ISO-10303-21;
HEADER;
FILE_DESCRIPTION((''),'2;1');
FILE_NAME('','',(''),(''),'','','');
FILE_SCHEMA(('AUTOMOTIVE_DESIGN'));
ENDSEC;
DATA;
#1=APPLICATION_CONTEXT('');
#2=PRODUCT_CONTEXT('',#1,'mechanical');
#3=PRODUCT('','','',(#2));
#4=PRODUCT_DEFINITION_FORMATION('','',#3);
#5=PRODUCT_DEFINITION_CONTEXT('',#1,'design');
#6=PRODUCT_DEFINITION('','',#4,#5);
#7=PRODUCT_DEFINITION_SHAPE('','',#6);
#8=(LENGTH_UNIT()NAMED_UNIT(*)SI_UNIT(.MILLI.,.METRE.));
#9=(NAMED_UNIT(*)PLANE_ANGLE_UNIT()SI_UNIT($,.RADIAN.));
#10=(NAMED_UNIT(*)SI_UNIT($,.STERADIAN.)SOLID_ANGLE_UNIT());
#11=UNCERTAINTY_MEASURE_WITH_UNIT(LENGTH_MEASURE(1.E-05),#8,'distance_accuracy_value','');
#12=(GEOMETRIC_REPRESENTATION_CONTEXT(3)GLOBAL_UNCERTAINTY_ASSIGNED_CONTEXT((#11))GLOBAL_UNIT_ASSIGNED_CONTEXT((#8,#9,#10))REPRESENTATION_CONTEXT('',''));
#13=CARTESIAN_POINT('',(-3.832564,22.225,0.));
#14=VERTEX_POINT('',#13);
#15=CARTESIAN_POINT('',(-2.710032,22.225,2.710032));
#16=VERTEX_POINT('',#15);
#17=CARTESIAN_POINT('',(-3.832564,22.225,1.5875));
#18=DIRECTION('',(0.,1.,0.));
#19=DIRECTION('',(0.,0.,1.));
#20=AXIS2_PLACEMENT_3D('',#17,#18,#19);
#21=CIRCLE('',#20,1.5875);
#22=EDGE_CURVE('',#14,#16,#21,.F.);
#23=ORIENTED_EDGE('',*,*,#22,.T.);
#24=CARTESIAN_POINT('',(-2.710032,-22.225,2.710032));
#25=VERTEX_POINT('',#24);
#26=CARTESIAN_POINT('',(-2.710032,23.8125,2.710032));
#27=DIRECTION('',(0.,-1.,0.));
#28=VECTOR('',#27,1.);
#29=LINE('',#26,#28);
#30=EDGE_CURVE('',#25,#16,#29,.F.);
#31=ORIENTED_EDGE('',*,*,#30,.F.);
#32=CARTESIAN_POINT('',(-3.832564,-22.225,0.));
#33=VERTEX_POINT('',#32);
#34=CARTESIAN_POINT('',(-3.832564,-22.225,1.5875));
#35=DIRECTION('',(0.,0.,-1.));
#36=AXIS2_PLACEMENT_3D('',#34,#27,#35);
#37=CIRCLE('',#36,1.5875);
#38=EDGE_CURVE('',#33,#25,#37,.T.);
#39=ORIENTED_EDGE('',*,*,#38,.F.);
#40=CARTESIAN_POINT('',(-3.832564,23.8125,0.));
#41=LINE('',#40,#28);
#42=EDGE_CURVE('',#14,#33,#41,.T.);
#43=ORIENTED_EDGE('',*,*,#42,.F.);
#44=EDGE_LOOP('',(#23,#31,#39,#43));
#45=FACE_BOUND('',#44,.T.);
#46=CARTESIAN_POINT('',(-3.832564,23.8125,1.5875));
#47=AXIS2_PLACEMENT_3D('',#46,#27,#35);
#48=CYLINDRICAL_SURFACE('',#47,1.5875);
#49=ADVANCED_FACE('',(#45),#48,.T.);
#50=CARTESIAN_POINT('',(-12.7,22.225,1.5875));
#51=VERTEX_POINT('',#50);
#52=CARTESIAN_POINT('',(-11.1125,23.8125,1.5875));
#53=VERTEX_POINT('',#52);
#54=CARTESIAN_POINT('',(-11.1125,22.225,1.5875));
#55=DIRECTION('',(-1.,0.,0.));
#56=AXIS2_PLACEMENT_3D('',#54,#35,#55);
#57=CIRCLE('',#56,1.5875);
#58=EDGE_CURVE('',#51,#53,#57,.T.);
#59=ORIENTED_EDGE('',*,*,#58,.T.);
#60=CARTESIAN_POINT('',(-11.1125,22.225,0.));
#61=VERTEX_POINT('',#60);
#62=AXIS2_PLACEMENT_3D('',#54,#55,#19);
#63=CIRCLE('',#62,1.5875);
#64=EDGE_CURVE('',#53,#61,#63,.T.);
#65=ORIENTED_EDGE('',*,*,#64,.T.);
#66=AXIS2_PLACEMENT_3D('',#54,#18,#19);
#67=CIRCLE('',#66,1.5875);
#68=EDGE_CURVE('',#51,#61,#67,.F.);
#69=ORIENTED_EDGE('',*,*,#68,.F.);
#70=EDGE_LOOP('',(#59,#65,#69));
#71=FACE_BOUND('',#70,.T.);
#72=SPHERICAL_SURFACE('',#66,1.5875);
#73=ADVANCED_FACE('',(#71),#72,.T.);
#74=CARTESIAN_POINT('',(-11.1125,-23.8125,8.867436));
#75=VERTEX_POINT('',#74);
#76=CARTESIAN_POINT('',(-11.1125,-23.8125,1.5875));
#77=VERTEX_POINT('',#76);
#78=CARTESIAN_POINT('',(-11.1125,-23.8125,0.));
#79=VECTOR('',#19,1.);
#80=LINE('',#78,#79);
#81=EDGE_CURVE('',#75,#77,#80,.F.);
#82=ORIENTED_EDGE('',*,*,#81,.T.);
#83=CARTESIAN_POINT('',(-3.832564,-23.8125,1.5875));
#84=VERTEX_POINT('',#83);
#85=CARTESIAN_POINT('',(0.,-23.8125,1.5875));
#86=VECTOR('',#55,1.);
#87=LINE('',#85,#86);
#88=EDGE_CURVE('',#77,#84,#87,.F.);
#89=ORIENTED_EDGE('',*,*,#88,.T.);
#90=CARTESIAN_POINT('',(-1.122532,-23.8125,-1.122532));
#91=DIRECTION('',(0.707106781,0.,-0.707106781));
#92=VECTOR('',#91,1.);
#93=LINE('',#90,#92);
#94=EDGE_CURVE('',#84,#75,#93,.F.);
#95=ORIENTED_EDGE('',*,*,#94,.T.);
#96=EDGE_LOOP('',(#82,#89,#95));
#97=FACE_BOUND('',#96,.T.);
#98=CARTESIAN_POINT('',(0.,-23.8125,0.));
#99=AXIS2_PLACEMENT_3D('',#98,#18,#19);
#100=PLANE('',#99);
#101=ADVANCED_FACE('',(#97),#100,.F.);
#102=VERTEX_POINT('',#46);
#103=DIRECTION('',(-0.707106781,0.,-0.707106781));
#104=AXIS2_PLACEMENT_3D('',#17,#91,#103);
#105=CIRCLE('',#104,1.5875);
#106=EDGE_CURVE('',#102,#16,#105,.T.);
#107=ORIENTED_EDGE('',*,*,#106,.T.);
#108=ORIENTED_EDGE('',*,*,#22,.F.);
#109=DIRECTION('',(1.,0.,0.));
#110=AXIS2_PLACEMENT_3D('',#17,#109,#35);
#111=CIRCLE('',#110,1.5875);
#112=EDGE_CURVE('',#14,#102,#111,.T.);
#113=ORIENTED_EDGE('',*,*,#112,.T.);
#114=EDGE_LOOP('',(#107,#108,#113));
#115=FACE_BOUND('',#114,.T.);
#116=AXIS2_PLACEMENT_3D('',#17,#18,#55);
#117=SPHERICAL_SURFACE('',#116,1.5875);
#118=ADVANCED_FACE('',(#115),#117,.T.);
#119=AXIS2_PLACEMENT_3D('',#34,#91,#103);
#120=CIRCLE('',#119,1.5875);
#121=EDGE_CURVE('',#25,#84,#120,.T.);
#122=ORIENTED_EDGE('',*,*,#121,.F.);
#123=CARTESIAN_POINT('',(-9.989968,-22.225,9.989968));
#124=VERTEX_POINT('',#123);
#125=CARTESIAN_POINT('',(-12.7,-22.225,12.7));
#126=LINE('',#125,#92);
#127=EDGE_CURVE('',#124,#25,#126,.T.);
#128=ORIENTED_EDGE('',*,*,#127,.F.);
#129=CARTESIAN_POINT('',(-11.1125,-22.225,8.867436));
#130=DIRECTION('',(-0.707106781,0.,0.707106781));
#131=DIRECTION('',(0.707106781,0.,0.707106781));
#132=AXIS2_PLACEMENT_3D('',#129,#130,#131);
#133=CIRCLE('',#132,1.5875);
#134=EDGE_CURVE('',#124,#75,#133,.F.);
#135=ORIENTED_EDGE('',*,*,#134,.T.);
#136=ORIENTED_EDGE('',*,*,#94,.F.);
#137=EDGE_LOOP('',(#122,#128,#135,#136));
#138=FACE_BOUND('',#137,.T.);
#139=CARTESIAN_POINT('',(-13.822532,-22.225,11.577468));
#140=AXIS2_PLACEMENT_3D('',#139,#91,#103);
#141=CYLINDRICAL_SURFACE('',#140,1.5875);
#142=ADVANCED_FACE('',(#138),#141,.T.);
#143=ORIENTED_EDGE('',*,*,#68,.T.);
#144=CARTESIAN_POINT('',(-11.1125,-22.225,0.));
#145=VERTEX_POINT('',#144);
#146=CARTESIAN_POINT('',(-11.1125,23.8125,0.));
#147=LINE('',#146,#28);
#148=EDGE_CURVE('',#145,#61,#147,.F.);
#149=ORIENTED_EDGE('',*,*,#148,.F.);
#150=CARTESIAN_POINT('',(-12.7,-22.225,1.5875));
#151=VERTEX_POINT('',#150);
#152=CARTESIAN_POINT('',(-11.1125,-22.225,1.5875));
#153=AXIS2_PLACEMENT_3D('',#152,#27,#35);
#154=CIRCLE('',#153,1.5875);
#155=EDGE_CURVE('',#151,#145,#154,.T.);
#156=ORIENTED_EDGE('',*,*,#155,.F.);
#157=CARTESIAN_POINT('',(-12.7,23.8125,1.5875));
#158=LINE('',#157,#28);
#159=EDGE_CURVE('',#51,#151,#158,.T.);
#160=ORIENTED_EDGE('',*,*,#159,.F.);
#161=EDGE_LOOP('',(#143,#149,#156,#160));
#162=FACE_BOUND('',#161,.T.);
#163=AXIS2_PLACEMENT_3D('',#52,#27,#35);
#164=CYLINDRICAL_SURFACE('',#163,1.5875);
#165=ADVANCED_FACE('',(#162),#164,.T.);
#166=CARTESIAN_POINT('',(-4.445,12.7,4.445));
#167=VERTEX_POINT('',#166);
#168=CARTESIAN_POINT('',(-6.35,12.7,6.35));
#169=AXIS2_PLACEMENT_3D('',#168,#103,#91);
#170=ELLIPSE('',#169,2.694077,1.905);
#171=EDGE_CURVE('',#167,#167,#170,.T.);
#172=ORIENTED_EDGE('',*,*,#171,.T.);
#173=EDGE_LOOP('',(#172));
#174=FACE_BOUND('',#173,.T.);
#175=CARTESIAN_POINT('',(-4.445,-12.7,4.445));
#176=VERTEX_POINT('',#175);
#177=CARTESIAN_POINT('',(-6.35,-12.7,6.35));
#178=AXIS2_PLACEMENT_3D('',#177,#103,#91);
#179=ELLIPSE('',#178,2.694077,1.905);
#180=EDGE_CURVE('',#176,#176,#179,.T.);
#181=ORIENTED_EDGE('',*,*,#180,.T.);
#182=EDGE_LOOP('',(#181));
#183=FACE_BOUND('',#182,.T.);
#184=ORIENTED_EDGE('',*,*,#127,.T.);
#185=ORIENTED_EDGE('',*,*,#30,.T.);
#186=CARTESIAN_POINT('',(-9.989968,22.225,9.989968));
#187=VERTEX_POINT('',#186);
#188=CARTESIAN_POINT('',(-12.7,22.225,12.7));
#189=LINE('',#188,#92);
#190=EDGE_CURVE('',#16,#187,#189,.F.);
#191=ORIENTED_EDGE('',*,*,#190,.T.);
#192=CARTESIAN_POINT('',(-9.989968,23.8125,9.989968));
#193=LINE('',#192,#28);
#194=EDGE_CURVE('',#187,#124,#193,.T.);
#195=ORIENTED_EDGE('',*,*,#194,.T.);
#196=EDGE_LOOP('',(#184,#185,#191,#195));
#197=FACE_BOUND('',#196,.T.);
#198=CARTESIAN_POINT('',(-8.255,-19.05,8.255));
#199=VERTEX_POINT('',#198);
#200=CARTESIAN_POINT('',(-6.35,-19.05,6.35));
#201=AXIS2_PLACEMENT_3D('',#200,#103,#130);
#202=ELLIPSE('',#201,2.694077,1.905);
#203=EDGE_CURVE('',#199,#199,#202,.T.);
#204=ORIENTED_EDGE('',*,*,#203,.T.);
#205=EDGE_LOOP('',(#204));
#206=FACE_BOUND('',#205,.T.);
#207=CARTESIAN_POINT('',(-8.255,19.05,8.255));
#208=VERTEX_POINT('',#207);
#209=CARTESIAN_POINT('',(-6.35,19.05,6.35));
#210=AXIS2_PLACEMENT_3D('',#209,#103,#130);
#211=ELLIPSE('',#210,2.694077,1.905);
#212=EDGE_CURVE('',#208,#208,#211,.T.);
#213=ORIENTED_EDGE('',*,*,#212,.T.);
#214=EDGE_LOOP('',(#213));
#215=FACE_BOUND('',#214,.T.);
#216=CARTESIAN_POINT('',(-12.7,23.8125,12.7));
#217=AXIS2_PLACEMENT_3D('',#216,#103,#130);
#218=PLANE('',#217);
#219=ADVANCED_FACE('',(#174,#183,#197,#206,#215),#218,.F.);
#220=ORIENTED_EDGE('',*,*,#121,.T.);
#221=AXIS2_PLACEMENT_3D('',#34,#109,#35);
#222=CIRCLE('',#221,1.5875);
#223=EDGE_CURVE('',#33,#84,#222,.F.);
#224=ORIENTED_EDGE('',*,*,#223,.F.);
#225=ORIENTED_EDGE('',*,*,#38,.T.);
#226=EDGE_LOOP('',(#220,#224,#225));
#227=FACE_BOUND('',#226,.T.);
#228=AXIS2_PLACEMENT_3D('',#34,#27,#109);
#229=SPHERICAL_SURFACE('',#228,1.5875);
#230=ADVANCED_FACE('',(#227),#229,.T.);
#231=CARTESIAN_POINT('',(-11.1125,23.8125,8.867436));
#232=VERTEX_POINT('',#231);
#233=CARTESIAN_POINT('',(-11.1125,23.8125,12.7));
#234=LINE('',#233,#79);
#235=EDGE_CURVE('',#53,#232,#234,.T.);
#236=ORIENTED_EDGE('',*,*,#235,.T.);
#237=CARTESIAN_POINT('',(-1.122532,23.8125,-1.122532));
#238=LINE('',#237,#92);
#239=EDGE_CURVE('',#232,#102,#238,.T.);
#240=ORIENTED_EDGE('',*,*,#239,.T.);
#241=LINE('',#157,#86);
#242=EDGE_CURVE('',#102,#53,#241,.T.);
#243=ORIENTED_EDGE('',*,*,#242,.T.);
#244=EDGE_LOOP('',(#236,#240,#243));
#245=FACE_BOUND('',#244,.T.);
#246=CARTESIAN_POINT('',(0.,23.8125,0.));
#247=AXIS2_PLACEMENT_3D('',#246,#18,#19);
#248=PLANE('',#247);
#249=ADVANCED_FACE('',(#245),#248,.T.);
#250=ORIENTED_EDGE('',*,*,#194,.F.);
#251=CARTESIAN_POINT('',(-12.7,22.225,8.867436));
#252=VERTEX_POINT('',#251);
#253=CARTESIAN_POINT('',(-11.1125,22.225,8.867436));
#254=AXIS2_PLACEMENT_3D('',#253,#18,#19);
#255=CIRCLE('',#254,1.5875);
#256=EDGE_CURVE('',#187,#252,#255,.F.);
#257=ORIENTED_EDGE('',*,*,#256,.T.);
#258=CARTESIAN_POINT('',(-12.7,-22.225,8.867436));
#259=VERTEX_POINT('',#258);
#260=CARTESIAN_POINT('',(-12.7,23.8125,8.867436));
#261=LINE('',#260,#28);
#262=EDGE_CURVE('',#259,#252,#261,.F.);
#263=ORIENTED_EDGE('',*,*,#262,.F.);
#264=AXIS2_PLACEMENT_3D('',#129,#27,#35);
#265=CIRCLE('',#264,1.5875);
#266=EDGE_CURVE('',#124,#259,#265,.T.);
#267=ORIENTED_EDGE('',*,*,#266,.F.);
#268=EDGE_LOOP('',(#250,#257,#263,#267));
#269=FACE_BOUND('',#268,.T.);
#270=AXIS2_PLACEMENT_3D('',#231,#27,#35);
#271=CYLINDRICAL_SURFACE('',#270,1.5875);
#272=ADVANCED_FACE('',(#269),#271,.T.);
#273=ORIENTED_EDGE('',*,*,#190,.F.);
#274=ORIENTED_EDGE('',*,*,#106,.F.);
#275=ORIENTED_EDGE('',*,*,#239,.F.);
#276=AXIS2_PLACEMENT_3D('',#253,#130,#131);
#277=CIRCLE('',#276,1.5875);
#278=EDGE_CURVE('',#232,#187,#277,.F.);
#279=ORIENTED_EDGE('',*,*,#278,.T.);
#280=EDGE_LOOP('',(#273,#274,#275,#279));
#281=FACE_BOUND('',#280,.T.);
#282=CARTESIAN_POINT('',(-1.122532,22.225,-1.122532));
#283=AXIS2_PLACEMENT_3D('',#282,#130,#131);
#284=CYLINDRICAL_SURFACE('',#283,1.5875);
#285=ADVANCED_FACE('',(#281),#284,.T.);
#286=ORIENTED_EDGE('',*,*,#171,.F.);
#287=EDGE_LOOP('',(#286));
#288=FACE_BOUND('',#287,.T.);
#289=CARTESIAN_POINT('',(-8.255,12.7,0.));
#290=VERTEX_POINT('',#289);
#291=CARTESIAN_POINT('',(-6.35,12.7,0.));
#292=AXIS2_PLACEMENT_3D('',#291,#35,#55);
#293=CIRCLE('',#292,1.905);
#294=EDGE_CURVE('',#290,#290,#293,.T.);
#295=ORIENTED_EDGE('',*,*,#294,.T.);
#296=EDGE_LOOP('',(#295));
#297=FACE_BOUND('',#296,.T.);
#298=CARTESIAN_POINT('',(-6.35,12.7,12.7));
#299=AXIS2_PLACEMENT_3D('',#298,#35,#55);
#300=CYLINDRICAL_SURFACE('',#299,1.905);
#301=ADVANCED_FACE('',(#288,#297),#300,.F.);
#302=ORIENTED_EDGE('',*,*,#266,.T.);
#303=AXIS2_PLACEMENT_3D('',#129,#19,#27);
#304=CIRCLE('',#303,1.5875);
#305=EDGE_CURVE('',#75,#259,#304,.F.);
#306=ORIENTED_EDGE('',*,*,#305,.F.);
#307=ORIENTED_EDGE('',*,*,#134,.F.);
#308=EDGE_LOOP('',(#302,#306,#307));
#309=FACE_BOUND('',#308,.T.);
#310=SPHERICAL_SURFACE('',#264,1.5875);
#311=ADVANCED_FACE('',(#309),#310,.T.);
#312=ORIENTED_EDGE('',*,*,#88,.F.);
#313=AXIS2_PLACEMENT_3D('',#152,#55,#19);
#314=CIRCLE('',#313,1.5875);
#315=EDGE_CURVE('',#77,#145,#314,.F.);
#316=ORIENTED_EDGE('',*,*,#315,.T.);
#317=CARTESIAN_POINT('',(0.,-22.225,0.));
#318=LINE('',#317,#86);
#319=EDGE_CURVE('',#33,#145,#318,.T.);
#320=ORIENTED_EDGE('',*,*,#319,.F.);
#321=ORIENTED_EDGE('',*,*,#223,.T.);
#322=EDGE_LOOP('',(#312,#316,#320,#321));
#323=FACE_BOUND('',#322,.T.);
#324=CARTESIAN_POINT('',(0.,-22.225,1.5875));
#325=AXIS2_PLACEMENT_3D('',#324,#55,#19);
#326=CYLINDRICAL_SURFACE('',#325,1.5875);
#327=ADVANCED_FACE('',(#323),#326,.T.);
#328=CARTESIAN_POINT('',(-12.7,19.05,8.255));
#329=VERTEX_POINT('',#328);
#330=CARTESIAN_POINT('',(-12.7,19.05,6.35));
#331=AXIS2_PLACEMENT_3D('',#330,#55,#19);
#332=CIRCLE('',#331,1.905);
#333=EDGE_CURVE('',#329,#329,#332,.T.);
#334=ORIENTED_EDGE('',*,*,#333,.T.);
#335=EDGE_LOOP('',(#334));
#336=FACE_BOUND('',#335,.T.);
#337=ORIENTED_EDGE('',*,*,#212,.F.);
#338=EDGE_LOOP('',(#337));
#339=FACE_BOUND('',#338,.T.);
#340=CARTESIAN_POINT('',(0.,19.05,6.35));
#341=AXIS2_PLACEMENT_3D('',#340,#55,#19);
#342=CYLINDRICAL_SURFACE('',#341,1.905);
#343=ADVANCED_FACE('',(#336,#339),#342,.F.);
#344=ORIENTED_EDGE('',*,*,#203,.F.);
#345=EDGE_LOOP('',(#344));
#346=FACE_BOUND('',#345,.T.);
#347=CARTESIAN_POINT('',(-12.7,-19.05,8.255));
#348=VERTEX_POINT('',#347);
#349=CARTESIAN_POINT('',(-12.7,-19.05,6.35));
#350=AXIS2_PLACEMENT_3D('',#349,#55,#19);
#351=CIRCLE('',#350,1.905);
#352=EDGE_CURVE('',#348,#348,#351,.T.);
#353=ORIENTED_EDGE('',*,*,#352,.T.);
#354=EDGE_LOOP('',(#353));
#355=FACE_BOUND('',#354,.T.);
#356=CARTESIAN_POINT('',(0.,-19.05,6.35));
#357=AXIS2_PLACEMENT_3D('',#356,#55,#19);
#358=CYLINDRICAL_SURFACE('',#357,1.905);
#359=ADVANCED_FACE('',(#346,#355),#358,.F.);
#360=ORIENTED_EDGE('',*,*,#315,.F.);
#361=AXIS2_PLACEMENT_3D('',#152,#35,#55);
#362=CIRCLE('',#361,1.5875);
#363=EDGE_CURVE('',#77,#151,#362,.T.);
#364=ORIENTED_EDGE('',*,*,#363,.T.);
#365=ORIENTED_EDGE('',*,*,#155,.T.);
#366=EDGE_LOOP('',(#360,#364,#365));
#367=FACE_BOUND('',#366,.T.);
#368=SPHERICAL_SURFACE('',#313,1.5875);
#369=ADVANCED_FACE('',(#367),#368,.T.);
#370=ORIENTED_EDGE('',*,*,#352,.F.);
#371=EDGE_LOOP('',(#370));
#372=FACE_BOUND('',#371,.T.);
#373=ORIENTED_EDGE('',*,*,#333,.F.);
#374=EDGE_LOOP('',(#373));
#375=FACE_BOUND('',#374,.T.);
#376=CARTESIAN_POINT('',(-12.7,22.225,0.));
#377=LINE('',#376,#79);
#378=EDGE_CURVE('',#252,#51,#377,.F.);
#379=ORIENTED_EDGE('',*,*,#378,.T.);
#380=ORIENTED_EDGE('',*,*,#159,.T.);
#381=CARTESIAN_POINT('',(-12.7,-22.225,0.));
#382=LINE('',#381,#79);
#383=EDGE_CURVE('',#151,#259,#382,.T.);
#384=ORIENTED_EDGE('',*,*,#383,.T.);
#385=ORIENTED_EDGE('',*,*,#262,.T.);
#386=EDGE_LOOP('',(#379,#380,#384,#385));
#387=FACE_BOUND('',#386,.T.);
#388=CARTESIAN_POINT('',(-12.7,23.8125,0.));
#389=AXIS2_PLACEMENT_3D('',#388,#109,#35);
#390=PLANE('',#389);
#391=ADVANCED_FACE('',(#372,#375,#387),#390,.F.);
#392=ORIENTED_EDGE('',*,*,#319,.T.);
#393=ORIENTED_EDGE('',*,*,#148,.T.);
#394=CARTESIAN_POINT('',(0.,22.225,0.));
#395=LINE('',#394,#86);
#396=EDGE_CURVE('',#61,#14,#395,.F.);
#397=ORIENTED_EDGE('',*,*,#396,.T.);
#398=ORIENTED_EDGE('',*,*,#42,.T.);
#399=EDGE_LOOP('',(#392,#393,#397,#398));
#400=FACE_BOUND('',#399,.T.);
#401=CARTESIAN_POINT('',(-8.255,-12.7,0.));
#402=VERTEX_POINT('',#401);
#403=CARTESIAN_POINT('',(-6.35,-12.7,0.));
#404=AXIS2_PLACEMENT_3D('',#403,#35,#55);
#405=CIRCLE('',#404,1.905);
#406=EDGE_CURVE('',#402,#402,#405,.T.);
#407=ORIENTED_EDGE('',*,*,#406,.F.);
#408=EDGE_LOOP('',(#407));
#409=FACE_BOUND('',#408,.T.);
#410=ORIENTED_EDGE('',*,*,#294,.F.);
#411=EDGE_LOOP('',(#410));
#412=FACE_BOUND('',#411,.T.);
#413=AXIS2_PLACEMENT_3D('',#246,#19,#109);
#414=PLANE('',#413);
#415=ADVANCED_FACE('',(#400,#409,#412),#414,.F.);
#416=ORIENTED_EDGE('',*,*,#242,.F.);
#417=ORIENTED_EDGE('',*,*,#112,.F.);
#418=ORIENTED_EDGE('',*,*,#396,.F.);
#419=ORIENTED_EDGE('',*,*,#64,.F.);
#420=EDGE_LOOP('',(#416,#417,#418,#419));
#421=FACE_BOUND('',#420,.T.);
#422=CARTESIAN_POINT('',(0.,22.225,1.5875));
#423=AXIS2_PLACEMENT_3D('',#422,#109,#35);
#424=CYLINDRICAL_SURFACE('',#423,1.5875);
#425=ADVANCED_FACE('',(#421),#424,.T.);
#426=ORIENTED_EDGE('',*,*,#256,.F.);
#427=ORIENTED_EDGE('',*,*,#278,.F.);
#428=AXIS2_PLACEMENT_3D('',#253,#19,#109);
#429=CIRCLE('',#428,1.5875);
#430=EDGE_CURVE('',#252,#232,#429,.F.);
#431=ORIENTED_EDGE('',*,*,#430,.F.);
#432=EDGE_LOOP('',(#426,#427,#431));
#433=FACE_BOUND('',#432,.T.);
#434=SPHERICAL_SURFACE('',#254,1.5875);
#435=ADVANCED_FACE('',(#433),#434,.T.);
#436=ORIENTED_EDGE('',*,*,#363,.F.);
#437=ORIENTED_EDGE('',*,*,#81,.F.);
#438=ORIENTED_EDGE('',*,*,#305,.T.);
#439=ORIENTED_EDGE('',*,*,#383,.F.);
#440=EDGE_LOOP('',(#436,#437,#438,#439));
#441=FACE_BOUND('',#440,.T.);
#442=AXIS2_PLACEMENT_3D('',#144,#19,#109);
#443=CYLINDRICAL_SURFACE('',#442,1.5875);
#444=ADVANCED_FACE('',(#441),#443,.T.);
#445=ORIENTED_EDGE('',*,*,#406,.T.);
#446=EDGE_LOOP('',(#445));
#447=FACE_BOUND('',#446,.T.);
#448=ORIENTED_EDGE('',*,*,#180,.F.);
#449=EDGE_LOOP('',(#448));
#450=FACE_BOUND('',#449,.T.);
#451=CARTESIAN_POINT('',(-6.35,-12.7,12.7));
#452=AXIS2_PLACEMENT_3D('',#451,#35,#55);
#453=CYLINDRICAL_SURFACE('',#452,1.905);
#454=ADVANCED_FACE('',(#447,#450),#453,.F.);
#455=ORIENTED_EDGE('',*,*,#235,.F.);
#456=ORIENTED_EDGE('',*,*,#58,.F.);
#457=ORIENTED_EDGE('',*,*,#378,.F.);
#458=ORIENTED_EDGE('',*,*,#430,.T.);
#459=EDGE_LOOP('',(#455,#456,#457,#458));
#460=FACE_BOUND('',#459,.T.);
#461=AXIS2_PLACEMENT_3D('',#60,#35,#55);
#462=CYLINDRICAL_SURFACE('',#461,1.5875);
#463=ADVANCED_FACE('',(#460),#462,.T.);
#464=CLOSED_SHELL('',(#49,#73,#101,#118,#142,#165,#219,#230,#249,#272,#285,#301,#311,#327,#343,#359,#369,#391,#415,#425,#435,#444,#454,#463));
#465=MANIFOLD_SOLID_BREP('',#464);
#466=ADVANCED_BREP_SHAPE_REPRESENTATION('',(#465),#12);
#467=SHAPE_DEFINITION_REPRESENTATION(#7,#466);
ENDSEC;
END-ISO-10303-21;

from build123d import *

# Parameters (mm, degrees)
BOSS_EXTRUDE1_DEPTH = 23.8125
SKETCH2_R           = 1.905
CUT_EXTRUDE1_DEPTH  = 30.826417087
SKETCH3_R           = 1.905
CUT_EXTRUDE2_DEPTH  = 30.826417087
FILLET1_R           = 1.5875


with BuildPart() as part:
    # Sketch1 → Boss-Extrude1 (new, symmetric)
    with BuildSketch(Plane(origin=(0, 0, 0), x_dir=(1, 0, 0), z_dir=(0, 1, 0))):
        Polygon((0, 0), (-12.7, 0), (-12.7, -12.7), align=None)
    extrude(amount=BOSS_EXTRUDE1_DEPTH, both=True)

    # Sketch2 → Cut-Extrude1 (cut, through all)
    with BuildSketch(Plane.ZY.offset(12.7)):
        with Locations((6.35, 19.05)):
            Circle(SKETCH2_R)
        with Locations((6.35, -19.05)):
            Circle(SKETCH2_R)
    extrude(amount=-CUT_EXTRUDE1_DEPTH, mode=Mode.SUBTRACT)

    # Sketch3 → Cut-Extrude2 (cut, through all)
    with BuildSketch(Plane(origin=(0, 0, 0), x_dir=(-1, 0, 0), z_dir=(0, 0, -1))):
        with Locations((6.35, -12.7)):
            Circle(SKETCH3_R)
        with Locations((6.35, 12.7)):
            Circle(SKETCH3_R)
    extrude(amount=-CUT_EXTRUDE2_DEPTH, mode=Mode.SUBTRACT)

    # Fillet1
    fillet1_edges = [part.edges().sort_by_distance(p)[0] for p in [
        (-12.7, 23.8125, 6.35),
        (-12.7, -23.8125, 6.35),
        (-6.35, -23.8125, 0),
        (-6.35, -23.8125, 6.35),
        (-6.35, 23.8125, 6.35),
        (-12.7, 0, 12.7),
        (-12.7, 0, 0),
        (0, 0, 0),
        (-6.35, 23.8125, 0),
    ]]
    fillet(fillet1_edges, radius=FILLET1_R)


solid = part.part
